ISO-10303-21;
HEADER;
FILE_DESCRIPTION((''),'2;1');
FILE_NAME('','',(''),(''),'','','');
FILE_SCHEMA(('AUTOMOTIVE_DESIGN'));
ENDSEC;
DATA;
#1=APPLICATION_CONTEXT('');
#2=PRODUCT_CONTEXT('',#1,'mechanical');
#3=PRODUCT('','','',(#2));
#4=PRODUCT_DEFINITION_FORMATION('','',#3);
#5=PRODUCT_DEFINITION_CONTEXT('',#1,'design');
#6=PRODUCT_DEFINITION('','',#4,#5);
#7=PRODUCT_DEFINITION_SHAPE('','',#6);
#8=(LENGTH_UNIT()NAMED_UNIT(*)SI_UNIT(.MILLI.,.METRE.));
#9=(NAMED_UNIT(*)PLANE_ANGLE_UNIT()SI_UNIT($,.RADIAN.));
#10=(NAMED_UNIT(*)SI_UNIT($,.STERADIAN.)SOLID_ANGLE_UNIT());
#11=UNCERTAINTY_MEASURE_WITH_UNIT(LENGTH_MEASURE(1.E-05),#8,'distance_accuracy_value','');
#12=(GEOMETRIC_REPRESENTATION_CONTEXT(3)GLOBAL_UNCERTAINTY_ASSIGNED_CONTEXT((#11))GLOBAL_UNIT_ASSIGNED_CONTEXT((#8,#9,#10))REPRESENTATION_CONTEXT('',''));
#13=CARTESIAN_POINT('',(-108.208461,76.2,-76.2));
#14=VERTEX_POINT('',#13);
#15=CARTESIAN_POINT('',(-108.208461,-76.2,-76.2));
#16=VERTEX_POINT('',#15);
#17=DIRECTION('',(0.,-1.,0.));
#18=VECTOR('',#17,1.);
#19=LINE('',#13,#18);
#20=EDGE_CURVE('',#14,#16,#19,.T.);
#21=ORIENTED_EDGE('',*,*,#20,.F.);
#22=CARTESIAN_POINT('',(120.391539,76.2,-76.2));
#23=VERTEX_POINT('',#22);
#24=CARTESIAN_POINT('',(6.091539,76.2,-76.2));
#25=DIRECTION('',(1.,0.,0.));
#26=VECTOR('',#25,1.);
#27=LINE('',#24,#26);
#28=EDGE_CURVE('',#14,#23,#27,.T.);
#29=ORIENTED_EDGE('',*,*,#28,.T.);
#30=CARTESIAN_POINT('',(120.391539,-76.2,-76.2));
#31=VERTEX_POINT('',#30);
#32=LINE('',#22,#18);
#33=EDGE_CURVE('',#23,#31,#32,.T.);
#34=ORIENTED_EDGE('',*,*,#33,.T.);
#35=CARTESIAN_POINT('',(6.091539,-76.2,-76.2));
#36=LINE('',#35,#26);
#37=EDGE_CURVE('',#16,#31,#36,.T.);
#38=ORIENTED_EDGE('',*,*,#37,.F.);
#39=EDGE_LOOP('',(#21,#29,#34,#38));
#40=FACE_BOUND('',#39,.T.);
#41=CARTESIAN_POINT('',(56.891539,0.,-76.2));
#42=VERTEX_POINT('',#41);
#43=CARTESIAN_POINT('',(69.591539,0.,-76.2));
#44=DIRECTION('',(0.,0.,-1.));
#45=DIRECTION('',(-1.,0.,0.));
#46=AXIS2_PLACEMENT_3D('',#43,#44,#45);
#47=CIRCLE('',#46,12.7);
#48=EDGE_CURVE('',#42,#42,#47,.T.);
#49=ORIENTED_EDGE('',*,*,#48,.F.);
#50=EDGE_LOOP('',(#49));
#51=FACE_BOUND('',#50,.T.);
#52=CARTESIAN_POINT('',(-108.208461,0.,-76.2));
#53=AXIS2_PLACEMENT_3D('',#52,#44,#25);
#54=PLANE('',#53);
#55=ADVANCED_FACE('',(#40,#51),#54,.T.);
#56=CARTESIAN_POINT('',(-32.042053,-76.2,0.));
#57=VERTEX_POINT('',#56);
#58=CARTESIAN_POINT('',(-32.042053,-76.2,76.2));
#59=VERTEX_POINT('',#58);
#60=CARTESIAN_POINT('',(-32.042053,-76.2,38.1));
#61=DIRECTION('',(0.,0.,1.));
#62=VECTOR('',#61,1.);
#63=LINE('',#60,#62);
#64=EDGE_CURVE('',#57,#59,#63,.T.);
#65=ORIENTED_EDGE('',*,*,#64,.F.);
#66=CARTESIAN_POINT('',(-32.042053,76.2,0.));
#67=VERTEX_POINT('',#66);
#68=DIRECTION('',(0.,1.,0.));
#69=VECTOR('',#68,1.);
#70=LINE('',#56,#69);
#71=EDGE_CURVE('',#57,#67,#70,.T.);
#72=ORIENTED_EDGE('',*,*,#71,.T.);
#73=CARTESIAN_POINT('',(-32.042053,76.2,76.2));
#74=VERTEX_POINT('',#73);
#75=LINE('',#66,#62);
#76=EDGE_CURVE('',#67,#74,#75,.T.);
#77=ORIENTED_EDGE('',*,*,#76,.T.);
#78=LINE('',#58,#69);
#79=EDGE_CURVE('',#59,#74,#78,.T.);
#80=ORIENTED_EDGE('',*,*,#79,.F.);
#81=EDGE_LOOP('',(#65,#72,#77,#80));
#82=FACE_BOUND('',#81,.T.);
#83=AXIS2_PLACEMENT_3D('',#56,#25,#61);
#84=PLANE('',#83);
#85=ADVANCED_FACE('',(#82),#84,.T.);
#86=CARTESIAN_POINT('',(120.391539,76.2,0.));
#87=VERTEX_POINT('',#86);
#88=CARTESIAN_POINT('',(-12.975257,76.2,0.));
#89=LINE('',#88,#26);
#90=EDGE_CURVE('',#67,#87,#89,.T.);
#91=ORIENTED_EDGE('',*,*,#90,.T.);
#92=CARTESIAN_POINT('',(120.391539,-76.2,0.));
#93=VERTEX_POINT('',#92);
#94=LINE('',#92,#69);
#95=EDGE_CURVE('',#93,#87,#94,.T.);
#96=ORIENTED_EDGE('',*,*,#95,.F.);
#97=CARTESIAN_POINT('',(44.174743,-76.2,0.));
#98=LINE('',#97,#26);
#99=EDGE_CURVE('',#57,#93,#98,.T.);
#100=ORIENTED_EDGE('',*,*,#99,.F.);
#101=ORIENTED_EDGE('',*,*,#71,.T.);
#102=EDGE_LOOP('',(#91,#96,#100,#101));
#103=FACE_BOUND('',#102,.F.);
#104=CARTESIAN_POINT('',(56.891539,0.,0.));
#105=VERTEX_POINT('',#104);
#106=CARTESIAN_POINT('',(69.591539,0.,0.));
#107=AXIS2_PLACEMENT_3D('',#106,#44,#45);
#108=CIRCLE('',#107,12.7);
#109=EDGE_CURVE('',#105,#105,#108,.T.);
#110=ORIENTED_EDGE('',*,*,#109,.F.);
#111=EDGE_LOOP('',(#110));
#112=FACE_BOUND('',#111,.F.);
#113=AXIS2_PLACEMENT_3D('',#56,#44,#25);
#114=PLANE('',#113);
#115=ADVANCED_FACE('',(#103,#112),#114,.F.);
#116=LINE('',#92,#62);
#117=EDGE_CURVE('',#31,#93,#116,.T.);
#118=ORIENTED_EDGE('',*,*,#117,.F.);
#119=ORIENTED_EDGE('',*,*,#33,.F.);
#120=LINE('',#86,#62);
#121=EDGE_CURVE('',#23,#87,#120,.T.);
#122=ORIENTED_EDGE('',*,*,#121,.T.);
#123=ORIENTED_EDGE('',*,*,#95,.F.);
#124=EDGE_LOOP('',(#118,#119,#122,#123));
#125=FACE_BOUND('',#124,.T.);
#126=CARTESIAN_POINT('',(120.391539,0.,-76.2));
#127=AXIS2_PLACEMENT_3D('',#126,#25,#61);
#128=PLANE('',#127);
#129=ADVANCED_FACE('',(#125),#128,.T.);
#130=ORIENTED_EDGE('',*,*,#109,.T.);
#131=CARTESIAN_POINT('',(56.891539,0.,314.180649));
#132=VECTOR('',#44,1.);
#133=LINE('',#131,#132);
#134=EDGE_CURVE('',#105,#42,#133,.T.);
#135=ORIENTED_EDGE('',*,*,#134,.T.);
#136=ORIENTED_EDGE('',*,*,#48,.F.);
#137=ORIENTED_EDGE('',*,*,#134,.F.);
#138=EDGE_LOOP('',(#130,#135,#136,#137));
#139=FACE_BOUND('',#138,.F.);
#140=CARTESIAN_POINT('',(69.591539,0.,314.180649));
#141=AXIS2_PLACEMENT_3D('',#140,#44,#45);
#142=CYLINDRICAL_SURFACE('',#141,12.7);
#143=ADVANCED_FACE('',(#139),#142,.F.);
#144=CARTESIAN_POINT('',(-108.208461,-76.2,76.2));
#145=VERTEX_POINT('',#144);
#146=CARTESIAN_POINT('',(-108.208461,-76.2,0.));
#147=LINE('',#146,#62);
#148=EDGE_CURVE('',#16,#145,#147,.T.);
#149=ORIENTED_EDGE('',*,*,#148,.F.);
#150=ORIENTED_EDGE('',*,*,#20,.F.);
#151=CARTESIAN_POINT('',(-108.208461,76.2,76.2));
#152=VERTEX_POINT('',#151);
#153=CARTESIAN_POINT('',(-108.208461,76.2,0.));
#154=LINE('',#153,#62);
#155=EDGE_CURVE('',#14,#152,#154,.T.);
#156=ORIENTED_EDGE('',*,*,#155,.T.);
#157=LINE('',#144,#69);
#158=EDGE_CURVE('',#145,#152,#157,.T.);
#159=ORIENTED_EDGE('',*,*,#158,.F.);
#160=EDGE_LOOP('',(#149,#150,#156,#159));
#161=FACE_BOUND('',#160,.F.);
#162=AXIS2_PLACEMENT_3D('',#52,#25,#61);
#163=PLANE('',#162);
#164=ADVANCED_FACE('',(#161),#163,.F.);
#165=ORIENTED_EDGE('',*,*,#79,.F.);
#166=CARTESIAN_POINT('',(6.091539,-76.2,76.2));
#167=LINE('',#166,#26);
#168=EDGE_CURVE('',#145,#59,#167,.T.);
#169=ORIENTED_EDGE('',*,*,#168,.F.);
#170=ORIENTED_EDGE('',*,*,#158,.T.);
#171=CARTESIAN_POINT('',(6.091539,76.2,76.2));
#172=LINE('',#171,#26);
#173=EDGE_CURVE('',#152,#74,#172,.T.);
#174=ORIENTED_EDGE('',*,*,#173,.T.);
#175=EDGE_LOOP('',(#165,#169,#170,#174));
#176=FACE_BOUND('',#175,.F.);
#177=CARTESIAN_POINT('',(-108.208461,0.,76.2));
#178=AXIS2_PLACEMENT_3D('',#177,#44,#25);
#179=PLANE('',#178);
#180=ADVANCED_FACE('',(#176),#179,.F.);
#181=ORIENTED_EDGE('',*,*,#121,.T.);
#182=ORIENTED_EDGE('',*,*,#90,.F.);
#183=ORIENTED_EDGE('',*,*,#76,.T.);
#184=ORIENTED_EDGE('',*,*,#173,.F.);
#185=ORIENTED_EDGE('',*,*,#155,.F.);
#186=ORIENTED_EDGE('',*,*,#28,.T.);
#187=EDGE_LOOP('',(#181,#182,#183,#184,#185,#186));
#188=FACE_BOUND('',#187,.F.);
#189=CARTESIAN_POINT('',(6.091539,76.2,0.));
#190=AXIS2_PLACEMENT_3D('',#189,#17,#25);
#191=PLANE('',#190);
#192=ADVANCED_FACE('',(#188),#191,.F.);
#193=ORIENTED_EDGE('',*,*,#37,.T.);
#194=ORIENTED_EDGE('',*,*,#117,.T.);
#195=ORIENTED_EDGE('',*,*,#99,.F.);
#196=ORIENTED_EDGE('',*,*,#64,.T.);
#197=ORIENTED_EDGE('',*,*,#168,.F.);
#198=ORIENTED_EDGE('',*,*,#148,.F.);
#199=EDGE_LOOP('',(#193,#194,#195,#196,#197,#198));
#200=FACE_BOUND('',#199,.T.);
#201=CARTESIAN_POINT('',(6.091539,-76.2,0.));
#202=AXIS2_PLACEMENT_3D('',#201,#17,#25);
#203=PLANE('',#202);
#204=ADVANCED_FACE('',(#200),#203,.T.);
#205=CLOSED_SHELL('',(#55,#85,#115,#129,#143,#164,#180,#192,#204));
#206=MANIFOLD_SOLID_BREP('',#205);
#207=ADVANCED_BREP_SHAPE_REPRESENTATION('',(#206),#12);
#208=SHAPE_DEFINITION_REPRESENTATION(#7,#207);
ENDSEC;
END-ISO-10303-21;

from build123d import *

# Parameters (mm, degrees)
F0_W     = 228.6
F0_H     = 152.4
F1_DEPTH = 76.2
F2_W     = 152.433592
F2_H     = 76.2
F3_DEPTH = 152.401
F5_D     = 25.4


with BuildPart() as f1:
    # F0 (on Front) → F1 (new body, symmetric)
    with BuildSketch(Plane.XZ):
        with Locations((6.091539, 0)):
            Rectangle(F0_W, F0_H)
    extrude(amount=F1_DEPTH, both=True)

    # F2 (on face) → F3 (cut, through all)
    with BuildSketch(Plane.XZ.offset(76.2)):
        with Locations((44.174743, 38.1)):
            Rectangle(F2_W, F2_H)
    extrude(amount=-F3_DEPTH, mode=Mode.SUBTRACT)

    # F5 (through all)
    with Locations(Plane.XY):
        with Locations((69.591539, 0)):
            Hole(F5_D / 2)


solid = f1.part
